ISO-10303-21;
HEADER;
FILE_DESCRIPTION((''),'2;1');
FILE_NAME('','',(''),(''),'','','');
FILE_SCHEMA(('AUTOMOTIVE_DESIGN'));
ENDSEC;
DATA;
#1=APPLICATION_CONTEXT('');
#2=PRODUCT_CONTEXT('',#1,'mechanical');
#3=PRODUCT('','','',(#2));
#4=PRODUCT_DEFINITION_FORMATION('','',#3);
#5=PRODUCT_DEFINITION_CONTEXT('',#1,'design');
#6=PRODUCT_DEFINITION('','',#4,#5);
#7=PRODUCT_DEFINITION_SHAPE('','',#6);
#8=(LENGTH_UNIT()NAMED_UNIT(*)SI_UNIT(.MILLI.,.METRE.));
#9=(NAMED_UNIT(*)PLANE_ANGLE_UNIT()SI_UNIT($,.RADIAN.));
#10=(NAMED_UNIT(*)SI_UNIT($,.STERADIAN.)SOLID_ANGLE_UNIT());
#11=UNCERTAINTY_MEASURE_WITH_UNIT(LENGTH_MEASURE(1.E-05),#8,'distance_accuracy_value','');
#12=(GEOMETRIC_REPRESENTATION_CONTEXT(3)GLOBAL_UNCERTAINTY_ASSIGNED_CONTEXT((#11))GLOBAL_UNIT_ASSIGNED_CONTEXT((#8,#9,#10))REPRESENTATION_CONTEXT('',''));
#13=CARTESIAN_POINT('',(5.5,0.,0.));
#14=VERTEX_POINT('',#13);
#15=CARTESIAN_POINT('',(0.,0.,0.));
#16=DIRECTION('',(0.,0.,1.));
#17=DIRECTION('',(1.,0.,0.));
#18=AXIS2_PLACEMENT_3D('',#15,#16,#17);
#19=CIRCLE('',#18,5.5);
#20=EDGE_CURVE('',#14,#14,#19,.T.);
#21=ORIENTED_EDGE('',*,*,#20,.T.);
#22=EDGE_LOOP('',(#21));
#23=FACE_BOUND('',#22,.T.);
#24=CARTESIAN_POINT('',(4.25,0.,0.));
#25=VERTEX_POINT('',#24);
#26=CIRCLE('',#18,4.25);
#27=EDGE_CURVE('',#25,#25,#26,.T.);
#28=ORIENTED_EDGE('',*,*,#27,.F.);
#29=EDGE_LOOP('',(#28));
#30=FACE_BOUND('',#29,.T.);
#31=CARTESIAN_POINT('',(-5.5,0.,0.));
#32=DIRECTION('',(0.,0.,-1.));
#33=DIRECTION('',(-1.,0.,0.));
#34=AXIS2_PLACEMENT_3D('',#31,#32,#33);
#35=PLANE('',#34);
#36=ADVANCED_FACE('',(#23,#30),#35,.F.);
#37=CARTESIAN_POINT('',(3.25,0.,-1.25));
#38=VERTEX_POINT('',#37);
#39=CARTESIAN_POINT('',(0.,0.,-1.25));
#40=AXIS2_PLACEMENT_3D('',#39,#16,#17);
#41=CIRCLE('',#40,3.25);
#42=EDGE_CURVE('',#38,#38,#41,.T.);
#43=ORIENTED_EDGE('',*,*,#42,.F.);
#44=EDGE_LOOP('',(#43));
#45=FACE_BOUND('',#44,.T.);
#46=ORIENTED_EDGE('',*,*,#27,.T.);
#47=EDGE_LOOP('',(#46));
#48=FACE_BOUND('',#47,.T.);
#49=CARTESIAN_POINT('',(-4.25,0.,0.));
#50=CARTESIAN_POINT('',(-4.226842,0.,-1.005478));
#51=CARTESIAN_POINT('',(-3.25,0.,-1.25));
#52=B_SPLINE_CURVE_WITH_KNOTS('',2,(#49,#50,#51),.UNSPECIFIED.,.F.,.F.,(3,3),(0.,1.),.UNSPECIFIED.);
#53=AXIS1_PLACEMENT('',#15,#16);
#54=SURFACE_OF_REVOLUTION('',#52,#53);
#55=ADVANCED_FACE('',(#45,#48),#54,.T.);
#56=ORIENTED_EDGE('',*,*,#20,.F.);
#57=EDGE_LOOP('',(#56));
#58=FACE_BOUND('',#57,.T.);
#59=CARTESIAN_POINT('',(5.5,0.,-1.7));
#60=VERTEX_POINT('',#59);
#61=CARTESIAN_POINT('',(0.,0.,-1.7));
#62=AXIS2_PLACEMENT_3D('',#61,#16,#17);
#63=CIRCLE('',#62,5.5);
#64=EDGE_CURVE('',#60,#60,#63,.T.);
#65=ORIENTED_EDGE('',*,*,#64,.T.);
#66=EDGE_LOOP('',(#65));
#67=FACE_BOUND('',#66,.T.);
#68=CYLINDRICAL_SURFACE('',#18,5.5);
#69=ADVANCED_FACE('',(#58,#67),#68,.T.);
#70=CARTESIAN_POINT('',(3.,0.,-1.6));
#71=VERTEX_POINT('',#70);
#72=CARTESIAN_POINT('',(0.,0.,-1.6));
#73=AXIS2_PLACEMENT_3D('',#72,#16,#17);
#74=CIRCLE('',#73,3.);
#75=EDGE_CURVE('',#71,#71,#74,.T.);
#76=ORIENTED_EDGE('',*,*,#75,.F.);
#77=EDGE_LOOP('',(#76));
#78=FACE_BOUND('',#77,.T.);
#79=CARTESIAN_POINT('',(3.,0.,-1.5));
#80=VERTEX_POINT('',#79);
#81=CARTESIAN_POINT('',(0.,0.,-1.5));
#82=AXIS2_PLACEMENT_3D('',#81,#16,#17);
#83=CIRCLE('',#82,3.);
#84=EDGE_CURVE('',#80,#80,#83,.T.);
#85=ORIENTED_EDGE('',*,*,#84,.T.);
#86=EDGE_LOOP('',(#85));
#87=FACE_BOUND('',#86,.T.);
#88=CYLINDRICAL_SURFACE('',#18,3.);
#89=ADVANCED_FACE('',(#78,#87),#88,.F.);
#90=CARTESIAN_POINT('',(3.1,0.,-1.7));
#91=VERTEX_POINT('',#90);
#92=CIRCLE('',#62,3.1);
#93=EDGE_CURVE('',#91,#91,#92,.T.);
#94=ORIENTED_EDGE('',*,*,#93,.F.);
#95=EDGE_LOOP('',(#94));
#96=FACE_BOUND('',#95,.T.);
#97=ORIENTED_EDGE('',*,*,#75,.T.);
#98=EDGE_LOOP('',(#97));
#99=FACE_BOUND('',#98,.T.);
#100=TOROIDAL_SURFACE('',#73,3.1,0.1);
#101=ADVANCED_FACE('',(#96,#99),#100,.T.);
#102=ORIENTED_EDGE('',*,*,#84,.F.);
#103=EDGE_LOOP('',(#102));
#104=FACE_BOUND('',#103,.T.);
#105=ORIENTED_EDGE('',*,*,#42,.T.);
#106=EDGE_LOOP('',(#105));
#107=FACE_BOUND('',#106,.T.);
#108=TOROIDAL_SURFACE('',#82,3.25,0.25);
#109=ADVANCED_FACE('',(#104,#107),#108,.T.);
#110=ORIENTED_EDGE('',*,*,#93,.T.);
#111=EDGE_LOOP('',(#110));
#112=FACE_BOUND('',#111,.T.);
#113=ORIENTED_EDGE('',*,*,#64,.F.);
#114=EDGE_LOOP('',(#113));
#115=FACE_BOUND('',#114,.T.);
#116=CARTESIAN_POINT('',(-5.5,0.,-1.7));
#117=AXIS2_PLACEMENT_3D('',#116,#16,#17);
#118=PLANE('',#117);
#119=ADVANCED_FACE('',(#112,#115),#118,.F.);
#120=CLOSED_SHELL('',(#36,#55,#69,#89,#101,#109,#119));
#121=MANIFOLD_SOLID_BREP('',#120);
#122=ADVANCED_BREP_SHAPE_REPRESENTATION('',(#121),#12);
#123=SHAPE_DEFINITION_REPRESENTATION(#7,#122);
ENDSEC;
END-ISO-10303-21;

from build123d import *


with BuildPart() as part:
    # Sketch2 → Revolve1 (revolve)
    with BuildSketch(Plane(origin=(0, 0, 0), x_dir=(1, 0, 0), z_dir=(0, 1, 0))):
        with BuildLine():
            Line((-5.5, 0), (-5.5, 1.7))
            Line((-5.5, 1.7), (-3.1, 1.7))
            ThreePointArc((-3.1, 1.7), (-3.029289322, 1.670710678), (-3, 1.6))
            Line((-3, 1.6), (-3, 1.5))
            ThreePointArc((-3, 1.5), (-3.073223305, 1.323223305), (-3.25, 1.25))
            add(Edge.make_bspline(
                [(-4.25, 0), (-4.226841552, 1.005477645), (-3.25, 1.25)],
                knots=[0, 0, 0, 1, 1, 1], degree=2))
            Line((-4.25, 0), (-5.5, 0))
        make_face()
    revolve(axis=Axis((0, 0, 0), (0, 0, -1)))


solid = part.part
